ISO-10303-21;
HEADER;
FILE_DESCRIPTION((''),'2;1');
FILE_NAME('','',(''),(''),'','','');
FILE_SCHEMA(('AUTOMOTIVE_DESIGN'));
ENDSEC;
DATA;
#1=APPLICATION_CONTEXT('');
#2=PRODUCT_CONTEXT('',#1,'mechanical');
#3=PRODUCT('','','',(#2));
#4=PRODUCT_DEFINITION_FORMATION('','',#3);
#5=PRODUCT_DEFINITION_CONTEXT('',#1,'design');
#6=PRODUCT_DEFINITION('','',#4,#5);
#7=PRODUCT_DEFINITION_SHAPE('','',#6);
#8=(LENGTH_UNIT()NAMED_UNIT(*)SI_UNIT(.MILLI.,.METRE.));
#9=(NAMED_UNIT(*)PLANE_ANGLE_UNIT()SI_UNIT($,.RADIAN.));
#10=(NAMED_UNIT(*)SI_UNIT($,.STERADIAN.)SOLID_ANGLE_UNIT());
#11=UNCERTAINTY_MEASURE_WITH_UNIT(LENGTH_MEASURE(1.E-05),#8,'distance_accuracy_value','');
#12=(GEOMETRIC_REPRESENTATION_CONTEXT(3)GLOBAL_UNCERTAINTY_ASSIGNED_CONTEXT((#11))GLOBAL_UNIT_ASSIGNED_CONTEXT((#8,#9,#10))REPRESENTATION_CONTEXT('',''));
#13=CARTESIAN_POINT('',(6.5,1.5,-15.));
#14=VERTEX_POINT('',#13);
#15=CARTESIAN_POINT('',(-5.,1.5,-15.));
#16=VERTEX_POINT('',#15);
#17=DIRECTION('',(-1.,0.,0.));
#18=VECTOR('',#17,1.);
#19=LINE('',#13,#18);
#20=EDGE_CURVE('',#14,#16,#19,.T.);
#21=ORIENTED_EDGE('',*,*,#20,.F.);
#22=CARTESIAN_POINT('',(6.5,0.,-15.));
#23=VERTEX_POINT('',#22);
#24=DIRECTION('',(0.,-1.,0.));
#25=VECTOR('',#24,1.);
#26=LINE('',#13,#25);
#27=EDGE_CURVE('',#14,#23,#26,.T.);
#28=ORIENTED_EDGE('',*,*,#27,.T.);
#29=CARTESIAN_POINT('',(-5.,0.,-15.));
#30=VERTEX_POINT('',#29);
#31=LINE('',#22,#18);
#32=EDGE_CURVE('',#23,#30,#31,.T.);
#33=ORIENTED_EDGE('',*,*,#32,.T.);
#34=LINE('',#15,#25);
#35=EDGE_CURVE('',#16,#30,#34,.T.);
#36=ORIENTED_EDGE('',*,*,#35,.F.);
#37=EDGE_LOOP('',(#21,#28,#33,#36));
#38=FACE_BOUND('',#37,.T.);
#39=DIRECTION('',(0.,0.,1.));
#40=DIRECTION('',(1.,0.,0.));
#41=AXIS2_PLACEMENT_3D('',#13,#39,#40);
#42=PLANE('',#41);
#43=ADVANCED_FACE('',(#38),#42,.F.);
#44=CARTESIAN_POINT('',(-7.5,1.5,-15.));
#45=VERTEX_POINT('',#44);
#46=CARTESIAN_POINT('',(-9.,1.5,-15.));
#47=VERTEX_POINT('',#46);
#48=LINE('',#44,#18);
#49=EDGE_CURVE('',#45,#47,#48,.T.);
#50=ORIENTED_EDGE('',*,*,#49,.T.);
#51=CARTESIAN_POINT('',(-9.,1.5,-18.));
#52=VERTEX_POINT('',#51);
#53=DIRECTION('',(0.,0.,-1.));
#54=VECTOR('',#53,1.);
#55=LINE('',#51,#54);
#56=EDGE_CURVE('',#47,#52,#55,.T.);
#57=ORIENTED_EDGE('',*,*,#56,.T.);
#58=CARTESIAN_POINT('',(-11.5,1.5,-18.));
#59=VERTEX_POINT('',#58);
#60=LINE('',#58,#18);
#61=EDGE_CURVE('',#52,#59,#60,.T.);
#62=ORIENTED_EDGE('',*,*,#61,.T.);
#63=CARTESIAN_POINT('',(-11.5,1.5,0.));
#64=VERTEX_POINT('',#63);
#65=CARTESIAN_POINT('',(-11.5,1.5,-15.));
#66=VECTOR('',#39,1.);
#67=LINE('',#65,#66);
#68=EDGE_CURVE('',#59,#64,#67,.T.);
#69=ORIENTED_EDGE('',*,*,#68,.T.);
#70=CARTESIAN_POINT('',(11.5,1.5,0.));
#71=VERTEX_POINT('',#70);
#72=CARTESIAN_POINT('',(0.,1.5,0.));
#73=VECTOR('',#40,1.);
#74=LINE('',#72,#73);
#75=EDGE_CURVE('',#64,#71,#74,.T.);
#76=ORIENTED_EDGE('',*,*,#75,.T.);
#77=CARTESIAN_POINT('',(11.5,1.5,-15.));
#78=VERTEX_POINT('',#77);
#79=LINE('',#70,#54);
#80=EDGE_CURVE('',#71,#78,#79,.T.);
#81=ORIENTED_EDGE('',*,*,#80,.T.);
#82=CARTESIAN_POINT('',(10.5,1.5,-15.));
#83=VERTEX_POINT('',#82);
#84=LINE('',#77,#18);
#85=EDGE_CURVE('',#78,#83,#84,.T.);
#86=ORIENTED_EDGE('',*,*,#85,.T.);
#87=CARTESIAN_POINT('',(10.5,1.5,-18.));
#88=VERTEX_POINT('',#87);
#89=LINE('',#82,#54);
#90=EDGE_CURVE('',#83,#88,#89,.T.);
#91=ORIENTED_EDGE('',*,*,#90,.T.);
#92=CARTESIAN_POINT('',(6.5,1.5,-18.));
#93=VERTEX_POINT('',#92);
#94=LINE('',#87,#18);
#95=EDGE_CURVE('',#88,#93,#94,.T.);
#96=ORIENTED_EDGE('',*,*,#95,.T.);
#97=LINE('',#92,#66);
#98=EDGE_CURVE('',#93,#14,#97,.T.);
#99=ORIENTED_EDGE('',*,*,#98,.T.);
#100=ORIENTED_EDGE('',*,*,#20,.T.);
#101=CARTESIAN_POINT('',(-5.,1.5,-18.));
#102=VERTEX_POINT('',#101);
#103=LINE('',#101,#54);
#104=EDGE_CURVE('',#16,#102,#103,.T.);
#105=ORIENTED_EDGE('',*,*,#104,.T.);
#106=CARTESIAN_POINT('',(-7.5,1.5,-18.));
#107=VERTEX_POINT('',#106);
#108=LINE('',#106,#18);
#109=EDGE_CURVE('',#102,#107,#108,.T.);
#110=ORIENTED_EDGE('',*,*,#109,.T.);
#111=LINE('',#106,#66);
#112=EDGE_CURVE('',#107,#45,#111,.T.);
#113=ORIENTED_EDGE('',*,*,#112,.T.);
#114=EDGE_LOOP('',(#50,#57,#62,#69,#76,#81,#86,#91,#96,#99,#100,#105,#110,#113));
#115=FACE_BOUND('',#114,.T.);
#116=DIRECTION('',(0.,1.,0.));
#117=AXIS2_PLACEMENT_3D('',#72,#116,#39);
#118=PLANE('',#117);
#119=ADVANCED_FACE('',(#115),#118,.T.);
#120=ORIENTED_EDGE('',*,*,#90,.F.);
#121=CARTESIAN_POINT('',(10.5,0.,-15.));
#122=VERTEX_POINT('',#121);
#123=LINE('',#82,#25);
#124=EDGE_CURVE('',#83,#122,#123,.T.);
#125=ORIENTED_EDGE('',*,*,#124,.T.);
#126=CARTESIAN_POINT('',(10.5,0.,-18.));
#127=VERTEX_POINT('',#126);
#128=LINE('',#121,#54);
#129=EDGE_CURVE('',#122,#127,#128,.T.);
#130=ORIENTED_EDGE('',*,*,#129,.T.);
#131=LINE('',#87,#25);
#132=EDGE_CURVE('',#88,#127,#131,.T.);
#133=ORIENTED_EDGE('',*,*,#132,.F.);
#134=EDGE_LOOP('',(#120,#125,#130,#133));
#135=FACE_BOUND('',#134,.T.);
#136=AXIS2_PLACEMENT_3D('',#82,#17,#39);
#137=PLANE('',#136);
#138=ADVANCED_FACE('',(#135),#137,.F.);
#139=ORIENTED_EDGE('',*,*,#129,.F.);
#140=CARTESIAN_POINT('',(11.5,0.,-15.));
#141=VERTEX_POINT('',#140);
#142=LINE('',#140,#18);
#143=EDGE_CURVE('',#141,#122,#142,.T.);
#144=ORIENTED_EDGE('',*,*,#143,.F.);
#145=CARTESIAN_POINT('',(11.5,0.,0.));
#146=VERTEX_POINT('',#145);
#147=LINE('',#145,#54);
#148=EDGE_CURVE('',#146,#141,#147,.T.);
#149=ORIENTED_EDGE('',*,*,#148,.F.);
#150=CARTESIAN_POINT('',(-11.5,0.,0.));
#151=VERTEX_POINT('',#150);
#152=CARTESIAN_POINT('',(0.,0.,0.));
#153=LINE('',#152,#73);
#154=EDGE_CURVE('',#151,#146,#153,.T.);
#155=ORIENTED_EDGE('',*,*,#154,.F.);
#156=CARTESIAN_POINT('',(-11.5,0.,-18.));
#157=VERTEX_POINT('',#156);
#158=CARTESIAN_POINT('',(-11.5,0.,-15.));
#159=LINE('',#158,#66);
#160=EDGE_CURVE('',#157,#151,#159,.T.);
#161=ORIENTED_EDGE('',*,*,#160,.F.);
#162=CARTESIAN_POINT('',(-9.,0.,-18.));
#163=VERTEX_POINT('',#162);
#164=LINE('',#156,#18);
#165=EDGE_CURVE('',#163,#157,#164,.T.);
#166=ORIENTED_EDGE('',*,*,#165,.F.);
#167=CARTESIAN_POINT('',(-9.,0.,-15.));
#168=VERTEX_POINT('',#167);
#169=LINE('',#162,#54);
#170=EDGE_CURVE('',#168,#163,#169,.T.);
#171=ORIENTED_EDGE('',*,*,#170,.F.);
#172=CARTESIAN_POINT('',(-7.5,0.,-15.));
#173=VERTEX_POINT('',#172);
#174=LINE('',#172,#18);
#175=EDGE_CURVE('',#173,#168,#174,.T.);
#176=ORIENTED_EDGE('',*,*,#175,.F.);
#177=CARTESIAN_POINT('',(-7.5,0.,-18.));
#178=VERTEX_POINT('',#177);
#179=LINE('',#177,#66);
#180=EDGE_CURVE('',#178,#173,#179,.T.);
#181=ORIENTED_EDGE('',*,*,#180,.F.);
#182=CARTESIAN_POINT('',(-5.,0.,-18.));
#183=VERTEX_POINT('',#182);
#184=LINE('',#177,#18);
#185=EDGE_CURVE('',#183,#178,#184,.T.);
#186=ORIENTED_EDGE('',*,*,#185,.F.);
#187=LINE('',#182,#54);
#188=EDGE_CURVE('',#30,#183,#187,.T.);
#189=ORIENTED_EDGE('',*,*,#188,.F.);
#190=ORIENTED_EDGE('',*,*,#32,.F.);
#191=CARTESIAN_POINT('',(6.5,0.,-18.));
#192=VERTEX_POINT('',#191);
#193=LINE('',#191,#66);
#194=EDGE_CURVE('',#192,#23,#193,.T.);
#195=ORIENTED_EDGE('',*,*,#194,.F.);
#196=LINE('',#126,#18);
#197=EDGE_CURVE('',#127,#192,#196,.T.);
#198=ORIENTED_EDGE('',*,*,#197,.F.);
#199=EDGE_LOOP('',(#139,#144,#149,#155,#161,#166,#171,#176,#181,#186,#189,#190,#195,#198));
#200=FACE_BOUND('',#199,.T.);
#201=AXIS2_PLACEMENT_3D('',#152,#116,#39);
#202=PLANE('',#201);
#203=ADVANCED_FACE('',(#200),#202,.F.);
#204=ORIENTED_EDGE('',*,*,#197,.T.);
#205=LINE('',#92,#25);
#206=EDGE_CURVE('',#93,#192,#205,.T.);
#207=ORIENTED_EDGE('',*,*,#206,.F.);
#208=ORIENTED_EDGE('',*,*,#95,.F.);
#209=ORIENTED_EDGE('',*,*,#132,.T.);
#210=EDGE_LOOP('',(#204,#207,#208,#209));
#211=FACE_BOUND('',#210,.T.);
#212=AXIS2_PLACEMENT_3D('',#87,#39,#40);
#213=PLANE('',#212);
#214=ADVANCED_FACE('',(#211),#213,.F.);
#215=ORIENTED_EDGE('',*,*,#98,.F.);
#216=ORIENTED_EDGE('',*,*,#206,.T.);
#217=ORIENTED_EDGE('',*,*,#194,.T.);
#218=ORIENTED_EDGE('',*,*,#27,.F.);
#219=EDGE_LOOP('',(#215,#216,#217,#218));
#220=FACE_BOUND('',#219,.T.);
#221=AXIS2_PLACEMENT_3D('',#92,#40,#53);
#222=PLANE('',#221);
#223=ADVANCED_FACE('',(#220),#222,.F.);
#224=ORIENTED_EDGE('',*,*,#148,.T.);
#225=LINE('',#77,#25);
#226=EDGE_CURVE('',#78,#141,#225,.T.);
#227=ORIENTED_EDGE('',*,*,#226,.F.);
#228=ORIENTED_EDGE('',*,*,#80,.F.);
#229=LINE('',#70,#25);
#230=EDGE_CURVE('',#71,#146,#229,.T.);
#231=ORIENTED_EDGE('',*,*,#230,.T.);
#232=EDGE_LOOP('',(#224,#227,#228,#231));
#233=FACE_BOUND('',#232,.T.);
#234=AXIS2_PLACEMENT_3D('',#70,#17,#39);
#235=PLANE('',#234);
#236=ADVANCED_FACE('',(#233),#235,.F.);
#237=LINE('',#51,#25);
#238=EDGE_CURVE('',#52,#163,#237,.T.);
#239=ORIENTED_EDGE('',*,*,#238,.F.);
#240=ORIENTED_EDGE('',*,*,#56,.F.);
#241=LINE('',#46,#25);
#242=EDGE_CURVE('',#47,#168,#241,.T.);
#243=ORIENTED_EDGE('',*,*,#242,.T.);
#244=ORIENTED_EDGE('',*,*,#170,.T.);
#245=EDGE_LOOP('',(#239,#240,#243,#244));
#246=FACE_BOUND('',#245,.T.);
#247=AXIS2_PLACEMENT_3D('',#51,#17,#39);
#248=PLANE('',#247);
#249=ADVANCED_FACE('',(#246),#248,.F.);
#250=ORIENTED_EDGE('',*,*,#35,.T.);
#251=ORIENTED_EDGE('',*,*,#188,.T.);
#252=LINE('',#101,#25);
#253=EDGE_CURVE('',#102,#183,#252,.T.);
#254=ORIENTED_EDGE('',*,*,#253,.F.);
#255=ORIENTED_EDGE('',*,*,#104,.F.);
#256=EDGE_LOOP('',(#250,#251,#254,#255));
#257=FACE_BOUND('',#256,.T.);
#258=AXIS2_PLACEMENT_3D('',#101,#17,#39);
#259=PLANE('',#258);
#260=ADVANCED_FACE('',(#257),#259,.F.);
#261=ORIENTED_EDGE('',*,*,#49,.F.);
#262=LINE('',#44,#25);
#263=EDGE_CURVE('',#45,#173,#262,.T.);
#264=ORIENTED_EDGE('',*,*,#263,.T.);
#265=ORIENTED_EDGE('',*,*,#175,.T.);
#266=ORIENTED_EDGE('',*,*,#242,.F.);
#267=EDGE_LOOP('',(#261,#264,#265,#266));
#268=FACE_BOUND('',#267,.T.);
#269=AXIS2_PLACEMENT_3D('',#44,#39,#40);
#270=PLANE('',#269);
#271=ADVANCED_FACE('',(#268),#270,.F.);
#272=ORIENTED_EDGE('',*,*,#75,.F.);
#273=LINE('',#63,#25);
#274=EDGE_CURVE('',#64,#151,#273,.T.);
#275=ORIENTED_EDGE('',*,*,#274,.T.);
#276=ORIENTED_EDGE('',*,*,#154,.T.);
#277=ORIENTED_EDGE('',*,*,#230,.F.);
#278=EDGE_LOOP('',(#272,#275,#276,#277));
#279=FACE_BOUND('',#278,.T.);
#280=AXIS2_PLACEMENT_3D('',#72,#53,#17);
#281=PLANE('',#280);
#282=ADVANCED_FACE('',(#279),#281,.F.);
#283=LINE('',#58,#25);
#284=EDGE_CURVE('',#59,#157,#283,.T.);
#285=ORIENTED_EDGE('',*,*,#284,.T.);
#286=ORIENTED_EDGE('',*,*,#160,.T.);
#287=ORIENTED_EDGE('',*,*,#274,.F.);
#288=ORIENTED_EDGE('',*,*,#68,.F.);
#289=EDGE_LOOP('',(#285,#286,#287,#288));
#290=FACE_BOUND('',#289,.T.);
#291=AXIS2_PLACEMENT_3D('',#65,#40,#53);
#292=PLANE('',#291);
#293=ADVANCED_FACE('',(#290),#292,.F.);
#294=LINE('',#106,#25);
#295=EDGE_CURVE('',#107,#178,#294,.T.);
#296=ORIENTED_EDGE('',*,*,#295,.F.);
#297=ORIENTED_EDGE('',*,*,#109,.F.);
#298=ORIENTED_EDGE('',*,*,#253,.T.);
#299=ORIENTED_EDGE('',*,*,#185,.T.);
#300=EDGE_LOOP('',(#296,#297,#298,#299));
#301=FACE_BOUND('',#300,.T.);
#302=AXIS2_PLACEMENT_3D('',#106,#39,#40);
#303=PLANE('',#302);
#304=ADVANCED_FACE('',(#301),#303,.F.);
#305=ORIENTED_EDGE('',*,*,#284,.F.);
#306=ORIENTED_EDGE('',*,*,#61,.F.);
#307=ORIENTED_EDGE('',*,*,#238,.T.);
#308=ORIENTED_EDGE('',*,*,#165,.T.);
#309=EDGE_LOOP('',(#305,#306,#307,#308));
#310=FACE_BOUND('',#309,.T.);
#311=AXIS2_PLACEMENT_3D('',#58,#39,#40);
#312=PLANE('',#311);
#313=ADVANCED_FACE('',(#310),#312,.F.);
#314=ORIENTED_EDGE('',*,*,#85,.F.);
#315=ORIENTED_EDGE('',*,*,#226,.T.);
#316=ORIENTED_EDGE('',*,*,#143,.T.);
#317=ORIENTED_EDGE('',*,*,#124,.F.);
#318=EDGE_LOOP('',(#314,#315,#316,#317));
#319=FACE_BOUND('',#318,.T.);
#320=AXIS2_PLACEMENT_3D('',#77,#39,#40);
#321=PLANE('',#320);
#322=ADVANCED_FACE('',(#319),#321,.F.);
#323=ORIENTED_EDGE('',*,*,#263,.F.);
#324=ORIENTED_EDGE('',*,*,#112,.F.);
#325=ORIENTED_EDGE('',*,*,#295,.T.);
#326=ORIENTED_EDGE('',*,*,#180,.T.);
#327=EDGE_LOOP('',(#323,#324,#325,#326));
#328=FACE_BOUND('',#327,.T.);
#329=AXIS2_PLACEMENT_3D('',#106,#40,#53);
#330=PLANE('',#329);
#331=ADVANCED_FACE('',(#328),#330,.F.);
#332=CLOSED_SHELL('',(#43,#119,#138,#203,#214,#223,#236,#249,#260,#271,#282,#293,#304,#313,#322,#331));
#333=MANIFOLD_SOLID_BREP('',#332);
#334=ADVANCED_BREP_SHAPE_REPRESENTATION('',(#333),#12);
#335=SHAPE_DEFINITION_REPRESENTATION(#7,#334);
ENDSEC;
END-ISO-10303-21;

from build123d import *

# Parameters (mm, degrees)
EXTRUDE_1_DEPTH = 1.5


with BuildPart() as part:
    # Эскиз1 → Бобышка-Вытянуть1 (new body)
    with BuildSketch(Plane(origin=(0, 0, 0), x_dir=(1, 0, 0), z_dir=(0, 1, 0))):
        Polygon((10.5, 18), (6.5, 18), (6.5, 15), (-5, 15), (-5, 18), (-7.5, 18), (-7.5, 15), (-9, 15), (-9, 18), (-11.5, 18), (-11.5, 15), (-11.5, 0), (0, 0), (11.5, 0), (11.5, 15), (10.5, 15), align=None)
    extrude(amount=EXTRUDE_1_DEPTH)


solid = part.part
